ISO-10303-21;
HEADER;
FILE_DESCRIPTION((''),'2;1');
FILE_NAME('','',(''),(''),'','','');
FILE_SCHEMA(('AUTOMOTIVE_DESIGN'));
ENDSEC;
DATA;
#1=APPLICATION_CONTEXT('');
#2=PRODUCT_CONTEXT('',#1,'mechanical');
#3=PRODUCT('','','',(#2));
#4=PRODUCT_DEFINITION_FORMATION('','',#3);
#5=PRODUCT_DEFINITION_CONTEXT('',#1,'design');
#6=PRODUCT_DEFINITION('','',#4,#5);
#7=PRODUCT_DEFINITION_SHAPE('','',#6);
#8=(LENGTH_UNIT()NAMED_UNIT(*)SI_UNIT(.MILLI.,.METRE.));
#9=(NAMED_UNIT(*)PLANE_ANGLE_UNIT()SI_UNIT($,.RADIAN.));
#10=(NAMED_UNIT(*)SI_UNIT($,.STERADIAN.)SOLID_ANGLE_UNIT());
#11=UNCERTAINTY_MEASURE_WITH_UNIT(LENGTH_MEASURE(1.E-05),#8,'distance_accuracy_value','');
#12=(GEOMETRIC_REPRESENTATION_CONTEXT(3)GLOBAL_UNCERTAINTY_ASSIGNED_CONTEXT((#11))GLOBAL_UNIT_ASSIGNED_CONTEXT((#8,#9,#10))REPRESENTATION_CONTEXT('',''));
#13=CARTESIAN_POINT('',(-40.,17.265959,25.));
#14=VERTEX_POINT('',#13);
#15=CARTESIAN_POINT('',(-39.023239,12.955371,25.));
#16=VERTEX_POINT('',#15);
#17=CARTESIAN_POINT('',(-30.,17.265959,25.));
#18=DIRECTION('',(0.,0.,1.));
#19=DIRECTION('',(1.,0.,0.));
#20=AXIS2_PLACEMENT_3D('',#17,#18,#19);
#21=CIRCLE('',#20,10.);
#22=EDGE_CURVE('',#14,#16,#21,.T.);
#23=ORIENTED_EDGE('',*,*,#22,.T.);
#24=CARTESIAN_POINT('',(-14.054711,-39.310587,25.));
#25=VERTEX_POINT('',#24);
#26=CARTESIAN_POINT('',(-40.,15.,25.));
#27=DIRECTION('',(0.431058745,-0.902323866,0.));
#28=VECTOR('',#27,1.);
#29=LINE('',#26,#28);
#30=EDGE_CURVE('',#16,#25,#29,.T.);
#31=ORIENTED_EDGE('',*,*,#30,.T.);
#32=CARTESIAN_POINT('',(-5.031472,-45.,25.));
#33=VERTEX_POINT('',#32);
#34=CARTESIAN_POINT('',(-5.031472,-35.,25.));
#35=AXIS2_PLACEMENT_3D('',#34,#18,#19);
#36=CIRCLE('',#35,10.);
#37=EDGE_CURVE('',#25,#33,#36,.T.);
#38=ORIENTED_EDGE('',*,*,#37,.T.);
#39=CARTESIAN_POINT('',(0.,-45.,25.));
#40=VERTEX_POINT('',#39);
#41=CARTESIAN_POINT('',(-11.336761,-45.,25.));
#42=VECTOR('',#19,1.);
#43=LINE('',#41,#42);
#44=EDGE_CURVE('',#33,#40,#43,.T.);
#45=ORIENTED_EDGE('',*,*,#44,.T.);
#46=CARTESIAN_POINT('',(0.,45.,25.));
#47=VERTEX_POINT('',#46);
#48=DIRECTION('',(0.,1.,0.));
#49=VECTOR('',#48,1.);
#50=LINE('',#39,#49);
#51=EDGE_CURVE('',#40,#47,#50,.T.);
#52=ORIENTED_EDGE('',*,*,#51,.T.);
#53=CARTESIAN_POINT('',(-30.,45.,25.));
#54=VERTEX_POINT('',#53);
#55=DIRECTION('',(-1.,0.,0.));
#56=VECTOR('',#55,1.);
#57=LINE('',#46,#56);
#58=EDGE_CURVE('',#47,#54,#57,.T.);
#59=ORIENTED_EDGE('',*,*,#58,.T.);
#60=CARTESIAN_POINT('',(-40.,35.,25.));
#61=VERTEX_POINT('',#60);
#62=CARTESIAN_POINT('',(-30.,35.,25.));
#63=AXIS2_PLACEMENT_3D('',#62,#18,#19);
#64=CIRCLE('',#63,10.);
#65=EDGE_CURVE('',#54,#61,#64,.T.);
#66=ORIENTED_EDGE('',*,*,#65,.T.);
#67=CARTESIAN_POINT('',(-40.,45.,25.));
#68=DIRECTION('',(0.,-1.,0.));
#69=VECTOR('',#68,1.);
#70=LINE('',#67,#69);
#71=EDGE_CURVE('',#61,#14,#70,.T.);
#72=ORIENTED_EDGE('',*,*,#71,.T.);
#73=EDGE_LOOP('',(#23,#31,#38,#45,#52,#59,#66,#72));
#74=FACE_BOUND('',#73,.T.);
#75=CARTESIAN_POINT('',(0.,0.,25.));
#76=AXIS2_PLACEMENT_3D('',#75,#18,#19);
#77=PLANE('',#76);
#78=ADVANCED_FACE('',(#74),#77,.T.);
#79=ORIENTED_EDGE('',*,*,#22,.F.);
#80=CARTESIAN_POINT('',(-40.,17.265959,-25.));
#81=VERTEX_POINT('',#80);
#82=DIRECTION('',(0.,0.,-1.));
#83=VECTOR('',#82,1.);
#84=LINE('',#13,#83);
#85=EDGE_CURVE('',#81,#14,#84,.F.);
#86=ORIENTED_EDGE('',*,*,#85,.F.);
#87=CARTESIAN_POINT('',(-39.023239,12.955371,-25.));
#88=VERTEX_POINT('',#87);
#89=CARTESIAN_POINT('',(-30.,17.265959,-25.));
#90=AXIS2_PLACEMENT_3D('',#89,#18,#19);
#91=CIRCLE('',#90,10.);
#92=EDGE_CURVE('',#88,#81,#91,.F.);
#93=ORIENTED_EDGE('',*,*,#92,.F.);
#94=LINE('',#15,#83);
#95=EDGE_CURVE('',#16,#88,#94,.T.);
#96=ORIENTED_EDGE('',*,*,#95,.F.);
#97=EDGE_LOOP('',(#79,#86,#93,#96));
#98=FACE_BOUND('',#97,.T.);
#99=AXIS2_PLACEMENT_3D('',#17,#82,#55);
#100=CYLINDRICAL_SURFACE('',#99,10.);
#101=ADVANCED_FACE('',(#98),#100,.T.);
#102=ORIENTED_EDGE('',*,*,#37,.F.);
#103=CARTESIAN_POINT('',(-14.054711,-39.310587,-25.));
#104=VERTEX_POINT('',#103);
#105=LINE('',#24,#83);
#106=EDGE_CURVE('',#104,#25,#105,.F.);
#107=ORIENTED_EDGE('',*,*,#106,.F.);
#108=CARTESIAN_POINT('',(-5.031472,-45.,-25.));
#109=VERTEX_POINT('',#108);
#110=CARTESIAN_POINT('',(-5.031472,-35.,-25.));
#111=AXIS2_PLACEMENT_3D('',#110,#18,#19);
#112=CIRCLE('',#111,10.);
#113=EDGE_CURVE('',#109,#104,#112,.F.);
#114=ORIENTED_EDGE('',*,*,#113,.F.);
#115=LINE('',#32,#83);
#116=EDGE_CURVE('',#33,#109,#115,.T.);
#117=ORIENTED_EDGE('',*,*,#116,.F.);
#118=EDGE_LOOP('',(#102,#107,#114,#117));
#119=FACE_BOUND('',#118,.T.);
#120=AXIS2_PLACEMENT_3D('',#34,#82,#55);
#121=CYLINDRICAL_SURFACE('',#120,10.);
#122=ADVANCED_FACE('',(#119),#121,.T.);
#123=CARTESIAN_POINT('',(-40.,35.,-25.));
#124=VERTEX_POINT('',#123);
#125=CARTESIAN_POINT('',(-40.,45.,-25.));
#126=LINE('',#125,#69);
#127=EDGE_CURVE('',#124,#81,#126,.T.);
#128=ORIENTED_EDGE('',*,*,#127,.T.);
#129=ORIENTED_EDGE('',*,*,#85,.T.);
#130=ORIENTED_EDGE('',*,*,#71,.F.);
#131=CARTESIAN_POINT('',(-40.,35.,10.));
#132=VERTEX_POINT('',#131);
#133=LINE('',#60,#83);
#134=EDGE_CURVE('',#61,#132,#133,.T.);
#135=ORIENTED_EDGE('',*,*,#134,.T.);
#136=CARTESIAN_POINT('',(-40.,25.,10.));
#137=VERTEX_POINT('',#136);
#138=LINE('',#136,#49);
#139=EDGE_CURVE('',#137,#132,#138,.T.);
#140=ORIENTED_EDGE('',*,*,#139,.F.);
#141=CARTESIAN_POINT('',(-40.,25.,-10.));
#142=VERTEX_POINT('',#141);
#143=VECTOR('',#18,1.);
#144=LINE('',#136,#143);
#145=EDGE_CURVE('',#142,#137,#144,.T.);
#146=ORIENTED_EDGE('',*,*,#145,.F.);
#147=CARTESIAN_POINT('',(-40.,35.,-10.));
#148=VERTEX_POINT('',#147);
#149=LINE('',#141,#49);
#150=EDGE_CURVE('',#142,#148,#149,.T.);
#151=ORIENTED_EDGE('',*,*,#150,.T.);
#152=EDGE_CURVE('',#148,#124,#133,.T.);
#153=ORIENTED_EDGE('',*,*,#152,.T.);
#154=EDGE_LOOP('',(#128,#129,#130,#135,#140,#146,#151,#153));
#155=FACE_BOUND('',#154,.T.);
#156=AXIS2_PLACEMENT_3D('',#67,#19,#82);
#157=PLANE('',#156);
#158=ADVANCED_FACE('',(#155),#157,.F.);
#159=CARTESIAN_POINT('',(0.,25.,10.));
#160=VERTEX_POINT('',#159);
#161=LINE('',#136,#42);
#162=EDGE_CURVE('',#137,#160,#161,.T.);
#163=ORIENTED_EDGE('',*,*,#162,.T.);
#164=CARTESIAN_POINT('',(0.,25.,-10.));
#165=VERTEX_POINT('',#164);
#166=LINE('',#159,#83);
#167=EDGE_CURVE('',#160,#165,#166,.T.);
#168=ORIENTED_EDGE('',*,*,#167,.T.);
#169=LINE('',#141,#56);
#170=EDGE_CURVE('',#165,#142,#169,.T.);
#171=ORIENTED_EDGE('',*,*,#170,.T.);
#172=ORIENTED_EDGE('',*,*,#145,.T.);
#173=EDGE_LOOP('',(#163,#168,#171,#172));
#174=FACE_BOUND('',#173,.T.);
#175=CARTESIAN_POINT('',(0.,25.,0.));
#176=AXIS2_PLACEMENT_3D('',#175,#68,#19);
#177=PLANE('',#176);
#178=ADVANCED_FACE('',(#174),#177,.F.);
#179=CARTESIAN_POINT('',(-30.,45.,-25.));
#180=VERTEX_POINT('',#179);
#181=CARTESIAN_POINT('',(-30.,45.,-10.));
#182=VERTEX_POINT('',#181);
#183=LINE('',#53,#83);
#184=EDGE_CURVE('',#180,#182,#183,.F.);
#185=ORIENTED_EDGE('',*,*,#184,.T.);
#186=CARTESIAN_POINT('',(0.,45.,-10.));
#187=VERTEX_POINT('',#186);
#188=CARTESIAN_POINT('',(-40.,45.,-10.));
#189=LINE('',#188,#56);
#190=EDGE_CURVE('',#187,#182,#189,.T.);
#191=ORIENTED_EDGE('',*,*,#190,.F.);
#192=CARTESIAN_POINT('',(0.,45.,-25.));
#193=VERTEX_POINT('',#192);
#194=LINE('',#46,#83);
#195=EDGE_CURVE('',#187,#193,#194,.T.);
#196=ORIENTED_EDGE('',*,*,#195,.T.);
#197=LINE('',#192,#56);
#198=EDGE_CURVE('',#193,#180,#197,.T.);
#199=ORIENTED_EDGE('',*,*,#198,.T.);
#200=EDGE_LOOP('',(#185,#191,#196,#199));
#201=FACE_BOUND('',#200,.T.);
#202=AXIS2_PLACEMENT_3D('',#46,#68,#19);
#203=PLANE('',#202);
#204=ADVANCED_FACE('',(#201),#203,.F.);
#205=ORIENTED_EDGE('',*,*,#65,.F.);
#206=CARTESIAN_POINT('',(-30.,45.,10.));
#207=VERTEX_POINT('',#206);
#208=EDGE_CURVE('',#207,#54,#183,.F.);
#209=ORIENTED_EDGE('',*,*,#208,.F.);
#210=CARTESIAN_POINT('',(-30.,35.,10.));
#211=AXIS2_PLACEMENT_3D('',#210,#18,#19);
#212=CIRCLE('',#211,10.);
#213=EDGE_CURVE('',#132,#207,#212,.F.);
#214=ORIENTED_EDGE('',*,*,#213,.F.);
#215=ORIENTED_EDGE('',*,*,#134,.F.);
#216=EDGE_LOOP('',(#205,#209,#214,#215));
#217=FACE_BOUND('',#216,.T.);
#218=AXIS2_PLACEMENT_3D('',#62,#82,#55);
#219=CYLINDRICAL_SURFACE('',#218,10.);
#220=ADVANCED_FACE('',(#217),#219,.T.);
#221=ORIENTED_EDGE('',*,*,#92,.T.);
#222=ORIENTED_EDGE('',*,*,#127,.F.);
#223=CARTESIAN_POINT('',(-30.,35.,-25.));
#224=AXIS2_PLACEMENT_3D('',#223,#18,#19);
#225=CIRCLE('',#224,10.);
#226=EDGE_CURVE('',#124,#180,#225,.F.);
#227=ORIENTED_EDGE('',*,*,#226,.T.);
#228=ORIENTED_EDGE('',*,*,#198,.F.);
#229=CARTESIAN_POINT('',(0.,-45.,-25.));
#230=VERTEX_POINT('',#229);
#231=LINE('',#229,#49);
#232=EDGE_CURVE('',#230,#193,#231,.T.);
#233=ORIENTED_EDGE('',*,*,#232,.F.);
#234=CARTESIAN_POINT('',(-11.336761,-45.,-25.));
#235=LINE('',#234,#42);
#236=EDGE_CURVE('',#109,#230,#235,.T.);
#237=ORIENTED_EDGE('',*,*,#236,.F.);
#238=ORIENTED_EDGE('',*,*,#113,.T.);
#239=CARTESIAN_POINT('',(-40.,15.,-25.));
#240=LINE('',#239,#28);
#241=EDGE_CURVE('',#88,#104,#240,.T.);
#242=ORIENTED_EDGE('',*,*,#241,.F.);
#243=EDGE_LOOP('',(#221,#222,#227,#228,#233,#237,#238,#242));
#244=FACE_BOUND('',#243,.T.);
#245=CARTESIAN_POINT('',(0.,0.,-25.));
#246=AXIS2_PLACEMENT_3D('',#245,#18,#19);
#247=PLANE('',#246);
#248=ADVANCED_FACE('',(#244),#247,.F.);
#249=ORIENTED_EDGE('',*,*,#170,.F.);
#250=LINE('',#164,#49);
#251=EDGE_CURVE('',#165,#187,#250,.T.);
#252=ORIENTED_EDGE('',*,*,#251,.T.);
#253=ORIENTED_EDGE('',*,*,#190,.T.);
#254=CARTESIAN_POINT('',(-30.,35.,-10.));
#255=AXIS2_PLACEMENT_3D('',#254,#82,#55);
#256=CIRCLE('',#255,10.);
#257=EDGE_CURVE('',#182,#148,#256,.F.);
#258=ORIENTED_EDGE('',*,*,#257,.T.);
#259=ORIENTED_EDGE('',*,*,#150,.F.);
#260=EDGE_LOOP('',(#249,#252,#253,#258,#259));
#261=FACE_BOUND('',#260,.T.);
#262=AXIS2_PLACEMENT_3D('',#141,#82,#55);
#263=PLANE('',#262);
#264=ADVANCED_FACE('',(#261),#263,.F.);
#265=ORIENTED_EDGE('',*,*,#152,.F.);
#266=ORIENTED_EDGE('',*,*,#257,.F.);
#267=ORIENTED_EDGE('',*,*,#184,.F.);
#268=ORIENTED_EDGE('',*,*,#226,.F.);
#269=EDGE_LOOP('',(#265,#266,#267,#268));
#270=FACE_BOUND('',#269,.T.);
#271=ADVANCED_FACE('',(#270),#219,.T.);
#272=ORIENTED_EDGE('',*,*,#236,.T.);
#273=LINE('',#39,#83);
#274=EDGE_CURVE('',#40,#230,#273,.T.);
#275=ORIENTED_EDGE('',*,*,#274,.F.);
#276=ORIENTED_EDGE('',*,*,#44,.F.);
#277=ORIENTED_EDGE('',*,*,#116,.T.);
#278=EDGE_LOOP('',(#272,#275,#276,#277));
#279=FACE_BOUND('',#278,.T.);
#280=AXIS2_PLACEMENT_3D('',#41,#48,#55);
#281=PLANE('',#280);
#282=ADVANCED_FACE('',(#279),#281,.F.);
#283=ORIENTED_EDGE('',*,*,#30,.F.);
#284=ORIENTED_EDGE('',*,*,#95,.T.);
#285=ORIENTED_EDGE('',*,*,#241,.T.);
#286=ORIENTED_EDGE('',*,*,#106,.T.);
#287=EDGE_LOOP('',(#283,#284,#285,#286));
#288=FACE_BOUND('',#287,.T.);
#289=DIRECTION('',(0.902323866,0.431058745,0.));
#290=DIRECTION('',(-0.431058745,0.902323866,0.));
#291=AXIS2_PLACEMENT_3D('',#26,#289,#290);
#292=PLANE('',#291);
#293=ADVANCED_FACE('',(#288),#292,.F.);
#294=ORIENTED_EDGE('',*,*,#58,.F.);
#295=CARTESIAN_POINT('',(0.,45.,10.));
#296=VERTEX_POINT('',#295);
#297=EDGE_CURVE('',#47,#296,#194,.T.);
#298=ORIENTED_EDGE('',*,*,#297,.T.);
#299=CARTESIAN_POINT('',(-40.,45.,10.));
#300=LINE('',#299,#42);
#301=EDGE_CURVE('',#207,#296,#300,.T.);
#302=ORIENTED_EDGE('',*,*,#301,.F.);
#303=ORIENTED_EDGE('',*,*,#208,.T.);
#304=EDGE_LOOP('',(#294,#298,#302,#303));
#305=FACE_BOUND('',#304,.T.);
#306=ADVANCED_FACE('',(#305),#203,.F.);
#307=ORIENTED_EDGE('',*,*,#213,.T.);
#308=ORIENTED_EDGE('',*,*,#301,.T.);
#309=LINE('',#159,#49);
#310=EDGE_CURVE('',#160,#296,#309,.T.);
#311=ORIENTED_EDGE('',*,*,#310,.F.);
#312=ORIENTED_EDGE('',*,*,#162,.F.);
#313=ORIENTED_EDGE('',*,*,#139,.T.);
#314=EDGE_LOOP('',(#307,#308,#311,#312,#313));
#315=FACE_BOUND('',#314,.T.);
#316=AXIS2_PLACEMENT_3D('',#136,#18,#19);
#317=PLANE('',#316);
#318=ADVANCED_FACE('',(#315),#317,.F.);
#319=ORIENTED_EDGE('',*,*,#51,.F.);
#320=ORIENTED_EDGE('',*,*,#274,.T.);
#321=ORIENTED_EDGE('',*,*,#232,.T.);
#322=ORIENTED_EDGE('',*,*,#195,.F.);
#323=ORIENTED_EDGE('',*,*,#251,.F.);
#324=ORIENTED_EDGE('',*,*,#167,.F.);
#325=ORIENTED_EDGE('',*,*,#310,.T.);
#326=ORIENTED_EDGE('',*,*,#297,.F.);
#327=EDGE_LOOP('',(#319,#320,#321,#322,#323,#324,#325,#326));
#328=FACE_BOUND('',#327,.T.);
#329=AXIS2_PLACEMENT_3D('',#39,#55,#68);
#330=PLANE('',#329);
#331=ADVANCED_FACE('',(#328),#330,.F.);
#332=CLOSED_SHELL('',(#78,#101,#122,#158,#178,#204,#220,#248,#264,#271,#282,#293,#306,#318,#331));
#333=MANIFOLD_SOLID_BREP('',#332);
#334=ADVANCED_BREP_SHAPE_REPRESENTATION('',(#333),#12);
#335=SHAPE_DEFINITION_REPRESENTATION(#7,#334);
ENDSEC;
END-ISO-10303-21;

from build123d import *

# Parameters (mm, degrees)
BOSS_EXTRUDE1_DEPTH = 25
SKETCH2_W           = 40
SKETCH2_H           = 20
CUT_EXTRUDE1_DEPTH  = 20
FILLET1_R           = 10
FILLET2_R           = 10


with BuildPart() as part:
    # Sketch1 → Boss-Extrude1 (new, symmetric)
    with BuildSketch(Plane.XY):
        Polygon((0, 45), (-40, 45), (-40, 15), (-11.336760925, -45), (0, -45), align=None)
    extrude(amount=BOSS_EXTRUDE1_DEPTH, both=True)

    # Sketch2 → Cut-Extrude1 (cut)
    with BuildSketch(Plane(origin=(0, 45, 0), x_dir=(1, 0, 0), z_dir=(0, 1, 0))):
        with Locations((-20, 0)):
            Rectangle(SKETCH2_W, SKETCH2_H)
    extrude(amount=-CUT_EXTRUDE1_DEPTH, mode=Mode.SUBTRACT)

    # Fillet1
    fillet1_edges = [part.edges().sort_by_distance(p)[0] for p in [
        (-40, 45, -17.5),
        (-40, 45, 17.5),
    ]]
    fillet(fillet1_edges, radius=FILLET1_R)

    # Fillet2
    fillet2_edges = [part.edges().sort_by_distance(p)[0] for p in [
        (-11.336760925, -45, 0),
        (-40, 15, 0),
    ]]
    fillet(fillet2_edges, radius=FILLET2_R)


solid = part.part
